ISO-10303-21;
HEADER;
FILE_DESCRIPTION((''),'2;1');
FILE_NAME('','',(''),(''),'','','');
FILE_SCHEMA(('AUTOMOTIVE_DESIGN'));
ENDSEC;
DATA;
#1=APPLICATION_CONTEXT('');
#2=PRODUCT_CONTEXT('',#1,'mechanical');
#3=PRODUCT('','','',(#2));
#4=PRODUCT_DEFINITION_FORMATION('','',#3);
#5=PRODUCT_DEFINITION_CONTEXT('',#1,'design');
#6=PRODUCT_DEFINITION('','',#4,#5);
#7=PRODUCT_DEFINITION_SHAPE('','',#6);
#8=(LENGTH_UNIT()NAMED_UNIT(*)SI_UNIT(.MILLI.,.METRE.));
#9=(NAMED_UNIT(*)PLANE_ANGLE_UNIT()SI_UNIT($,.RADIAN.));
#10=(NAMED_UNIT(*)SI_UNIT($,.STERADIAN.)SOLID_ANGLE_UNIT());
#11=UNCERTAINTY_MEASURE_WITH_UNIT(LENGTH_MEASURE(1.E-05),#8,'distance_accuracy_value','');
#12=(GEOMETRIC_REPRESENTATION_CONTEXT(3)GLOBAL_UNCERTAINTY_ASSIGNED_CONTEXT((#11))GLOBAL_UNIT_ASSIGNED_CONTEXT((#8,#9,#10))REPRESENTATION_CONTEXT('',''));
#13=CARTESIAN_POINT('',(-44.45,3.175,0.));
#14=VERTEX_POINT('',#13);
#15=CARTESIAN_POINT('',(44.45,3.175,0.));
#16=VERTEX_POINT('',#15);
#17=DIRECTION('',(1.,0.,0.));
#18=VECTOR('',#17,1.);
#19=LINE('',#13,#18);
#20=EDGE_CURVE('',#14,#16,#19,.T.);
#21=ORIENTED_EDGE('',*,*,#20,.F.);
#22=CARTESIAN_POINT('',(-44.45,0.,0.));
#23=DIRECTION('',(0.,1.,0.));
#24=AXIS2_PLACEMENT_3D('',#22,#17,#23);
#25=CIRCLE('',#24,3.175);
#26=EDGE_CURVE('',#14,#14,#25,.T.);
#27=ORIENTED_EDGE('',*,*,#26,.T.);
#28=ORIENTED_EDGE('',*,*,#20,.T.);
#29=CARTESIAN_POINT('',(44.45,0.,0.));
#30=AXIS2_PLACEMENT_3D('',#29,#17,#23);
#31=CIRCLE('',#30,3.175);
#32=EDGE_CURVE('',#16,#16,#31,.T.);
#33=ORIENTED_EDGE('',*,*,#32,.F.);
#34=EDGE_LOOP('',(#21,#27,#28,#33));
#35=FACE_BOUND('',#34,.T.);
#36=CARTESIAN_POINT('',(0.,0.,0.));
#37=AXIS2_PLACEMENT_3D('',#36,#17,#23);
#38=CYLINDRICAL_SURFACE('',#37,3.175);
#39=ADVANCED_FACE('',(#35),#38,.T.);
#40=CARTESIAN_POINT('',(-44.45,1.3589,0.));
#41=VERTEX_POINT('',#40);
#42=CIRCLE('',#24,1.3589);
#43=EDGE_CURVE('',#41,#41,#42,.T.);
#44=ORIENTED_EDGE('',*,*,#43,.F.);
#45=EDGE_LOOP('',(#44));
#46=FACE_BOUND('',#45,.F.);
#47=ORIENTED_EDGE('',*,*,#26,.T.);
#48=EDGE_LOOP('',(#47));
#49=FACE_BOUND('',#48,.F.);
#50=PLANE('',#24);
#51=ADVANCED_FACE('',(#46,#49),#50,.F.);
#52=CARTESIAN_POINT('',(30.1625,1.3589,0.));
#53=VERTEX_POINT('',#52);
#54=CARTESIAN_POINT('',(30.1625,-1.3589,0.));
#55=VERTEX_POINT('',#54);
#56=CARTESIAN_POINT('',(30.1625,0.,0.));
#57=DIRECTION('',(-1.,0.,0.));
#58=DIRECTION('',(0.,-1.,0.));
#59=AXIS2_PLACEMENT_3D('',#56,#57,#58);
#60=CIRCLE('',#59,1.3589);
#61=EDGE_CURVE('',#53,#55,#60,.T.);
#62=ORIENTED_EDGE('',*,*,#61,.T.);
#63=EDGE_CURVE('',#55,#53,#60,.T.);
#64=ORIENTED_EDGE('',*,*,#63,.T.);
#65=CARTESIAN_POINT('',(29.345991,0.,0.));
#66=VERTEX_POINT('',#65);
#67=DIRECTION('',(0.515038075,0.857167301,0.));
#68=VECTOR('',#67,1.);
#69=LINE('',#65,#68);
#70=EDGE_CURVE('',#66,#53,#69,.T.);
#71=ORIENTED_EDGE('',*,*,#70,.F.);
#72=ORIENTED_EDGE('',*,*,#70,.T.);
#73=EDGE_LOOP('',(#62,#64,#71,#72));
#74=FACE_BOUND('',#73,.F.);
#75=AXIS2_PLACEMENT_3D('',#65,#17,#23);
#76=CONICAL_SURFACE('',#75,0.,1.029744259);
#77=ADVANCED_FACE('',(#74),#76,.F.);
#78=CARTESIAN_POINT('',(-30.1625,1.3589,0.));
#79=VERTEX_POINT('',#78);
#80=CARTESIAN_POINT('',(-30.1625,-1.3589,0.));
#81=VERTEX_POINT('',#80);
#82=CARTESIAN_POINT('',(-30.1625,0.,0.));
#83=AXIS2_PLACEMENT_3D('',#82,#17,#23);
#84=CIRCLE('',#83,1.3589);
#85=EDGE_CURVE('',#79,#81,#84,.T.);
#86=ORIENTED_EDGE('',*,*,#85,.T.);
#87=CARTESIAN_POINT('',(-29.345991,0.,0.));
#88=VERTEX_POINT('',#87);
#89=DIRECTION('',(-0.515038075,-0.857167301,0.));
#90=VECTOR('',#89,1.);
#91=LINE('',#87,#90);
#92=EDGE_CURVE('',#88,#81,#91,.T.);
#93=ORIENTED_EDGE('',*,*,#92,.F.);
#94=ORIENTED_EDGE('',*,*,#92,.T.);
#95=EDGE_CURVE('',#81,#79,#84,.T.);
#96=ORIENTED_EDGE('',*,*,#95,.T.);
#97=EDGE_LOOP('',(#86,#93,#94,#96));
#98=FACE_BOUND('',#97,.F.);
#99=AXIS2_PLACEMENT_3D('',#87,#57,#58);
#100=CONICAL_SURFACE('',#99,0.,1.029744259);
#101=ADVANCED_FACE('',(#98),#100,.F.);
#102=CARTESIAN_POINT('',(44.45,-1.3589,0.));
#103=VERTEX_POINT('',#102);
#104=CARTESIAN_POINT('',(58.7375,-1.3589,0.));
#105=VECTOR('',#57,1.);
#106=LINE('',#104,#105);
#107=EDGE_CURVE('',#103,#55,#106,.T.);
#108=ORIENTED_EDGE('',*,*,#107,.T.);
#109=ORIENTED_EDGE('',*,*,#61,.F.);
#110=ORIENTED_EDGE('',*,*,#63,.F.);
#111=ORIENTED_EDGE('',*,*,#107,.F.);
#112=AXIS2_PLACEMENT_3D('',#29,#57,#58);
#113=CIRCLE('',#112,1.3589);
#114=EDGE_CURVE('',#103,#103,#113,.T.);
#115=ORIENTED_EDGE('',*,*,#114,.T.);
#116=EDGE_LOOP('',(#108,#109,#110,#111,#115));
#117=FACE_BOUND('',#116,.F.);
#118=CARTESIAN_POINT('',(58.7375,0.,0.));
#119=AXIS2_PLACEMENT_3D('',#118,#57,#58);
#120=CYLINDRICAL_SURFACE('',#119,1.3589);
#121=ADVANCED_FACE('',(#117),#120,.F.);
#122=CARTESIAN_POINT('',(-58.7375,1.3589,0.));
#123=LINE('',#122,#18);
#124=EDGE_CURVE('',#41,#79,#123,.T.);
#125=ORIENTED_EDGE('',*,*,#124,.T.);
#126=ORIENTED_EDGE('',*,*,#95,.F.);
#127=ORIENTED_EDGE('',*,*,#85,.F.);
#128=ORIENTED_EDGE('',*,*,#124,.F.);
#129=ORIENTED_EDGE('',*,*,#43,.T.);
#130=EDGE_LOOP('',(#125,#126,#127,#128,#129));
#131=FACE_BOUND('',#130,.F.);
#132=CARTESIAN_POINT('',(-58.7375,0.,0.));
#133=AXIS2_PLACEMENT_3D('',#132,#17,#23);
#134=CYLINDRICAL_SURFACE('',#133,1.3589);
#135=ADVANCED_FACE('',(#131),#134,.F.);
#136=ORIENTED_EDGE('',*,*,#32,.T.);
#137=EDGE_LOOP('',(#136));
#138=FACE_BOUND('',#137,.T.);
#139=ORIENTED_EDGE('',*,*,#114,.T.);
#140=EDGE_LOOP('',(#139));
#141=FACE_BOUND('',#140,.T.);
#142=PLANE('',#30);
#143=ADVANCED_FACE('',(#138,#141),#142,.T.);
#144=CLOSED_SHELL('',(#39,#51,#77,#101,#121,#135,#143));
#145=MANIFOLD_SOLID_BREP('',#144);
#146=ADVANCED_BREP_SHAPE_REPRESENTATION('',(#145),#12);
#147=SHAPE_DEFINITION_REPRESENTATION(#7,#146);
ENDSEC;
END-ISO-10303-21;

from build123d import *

# Parameters (mm, degrees)
F0_R           = 3.175
F1_DEPTH       = 44.45
F4_D           = 2.7178
F4_DEPTH       = 14.2875
F4_TIP         = 0.8165094952
F4_ON_F2_D     = 2.7178
F4_ON_F2_DEPTH = 14.2875
F4_ON_F2_TIP   = 0.8165094952


with BuildPart() as f1:
    # F0 (on Right) → F1 (new body, symmetric)
    with BuildSketch(Plane.YZ):
        Circle(F0_R)
    extrude(amount=F1_DEPTH, both=True)

    # F4
    with Locations(Plane(origin=(-44.45, 0, 0), x_dir=(0, -1, 0), z_dir=(-1, 0, 0))):
        with Locations((0, 0)):
            Hole(F4_D / 2, depth=F4_DEPTH)
            with Locations((0, 0, -(F4_DEPTH + F4_TIP / 2))):  # 118° drill point
                Cone(0, F4_D / 2, F4_TIP, mode=Mode.SUBTRACT)

    # F4 on F2
    with Locations(Plane.YZ.offset(44.45)):
        with Locations((0, 0)):
            Hole(F4_ON_F2_D / 2, depth=F4_ON_F2_DEPTH)
            with Locations((0, 0, -(F4_ON_F2_DEPTH + F4_ON_F2_TIP / 2))):  # 118° drill point
                Cone(0, F4_ON_F2_D / 2, F4_ON_F2_TIP, mode=Mode.SUBTRACT)


solid = f1.part
